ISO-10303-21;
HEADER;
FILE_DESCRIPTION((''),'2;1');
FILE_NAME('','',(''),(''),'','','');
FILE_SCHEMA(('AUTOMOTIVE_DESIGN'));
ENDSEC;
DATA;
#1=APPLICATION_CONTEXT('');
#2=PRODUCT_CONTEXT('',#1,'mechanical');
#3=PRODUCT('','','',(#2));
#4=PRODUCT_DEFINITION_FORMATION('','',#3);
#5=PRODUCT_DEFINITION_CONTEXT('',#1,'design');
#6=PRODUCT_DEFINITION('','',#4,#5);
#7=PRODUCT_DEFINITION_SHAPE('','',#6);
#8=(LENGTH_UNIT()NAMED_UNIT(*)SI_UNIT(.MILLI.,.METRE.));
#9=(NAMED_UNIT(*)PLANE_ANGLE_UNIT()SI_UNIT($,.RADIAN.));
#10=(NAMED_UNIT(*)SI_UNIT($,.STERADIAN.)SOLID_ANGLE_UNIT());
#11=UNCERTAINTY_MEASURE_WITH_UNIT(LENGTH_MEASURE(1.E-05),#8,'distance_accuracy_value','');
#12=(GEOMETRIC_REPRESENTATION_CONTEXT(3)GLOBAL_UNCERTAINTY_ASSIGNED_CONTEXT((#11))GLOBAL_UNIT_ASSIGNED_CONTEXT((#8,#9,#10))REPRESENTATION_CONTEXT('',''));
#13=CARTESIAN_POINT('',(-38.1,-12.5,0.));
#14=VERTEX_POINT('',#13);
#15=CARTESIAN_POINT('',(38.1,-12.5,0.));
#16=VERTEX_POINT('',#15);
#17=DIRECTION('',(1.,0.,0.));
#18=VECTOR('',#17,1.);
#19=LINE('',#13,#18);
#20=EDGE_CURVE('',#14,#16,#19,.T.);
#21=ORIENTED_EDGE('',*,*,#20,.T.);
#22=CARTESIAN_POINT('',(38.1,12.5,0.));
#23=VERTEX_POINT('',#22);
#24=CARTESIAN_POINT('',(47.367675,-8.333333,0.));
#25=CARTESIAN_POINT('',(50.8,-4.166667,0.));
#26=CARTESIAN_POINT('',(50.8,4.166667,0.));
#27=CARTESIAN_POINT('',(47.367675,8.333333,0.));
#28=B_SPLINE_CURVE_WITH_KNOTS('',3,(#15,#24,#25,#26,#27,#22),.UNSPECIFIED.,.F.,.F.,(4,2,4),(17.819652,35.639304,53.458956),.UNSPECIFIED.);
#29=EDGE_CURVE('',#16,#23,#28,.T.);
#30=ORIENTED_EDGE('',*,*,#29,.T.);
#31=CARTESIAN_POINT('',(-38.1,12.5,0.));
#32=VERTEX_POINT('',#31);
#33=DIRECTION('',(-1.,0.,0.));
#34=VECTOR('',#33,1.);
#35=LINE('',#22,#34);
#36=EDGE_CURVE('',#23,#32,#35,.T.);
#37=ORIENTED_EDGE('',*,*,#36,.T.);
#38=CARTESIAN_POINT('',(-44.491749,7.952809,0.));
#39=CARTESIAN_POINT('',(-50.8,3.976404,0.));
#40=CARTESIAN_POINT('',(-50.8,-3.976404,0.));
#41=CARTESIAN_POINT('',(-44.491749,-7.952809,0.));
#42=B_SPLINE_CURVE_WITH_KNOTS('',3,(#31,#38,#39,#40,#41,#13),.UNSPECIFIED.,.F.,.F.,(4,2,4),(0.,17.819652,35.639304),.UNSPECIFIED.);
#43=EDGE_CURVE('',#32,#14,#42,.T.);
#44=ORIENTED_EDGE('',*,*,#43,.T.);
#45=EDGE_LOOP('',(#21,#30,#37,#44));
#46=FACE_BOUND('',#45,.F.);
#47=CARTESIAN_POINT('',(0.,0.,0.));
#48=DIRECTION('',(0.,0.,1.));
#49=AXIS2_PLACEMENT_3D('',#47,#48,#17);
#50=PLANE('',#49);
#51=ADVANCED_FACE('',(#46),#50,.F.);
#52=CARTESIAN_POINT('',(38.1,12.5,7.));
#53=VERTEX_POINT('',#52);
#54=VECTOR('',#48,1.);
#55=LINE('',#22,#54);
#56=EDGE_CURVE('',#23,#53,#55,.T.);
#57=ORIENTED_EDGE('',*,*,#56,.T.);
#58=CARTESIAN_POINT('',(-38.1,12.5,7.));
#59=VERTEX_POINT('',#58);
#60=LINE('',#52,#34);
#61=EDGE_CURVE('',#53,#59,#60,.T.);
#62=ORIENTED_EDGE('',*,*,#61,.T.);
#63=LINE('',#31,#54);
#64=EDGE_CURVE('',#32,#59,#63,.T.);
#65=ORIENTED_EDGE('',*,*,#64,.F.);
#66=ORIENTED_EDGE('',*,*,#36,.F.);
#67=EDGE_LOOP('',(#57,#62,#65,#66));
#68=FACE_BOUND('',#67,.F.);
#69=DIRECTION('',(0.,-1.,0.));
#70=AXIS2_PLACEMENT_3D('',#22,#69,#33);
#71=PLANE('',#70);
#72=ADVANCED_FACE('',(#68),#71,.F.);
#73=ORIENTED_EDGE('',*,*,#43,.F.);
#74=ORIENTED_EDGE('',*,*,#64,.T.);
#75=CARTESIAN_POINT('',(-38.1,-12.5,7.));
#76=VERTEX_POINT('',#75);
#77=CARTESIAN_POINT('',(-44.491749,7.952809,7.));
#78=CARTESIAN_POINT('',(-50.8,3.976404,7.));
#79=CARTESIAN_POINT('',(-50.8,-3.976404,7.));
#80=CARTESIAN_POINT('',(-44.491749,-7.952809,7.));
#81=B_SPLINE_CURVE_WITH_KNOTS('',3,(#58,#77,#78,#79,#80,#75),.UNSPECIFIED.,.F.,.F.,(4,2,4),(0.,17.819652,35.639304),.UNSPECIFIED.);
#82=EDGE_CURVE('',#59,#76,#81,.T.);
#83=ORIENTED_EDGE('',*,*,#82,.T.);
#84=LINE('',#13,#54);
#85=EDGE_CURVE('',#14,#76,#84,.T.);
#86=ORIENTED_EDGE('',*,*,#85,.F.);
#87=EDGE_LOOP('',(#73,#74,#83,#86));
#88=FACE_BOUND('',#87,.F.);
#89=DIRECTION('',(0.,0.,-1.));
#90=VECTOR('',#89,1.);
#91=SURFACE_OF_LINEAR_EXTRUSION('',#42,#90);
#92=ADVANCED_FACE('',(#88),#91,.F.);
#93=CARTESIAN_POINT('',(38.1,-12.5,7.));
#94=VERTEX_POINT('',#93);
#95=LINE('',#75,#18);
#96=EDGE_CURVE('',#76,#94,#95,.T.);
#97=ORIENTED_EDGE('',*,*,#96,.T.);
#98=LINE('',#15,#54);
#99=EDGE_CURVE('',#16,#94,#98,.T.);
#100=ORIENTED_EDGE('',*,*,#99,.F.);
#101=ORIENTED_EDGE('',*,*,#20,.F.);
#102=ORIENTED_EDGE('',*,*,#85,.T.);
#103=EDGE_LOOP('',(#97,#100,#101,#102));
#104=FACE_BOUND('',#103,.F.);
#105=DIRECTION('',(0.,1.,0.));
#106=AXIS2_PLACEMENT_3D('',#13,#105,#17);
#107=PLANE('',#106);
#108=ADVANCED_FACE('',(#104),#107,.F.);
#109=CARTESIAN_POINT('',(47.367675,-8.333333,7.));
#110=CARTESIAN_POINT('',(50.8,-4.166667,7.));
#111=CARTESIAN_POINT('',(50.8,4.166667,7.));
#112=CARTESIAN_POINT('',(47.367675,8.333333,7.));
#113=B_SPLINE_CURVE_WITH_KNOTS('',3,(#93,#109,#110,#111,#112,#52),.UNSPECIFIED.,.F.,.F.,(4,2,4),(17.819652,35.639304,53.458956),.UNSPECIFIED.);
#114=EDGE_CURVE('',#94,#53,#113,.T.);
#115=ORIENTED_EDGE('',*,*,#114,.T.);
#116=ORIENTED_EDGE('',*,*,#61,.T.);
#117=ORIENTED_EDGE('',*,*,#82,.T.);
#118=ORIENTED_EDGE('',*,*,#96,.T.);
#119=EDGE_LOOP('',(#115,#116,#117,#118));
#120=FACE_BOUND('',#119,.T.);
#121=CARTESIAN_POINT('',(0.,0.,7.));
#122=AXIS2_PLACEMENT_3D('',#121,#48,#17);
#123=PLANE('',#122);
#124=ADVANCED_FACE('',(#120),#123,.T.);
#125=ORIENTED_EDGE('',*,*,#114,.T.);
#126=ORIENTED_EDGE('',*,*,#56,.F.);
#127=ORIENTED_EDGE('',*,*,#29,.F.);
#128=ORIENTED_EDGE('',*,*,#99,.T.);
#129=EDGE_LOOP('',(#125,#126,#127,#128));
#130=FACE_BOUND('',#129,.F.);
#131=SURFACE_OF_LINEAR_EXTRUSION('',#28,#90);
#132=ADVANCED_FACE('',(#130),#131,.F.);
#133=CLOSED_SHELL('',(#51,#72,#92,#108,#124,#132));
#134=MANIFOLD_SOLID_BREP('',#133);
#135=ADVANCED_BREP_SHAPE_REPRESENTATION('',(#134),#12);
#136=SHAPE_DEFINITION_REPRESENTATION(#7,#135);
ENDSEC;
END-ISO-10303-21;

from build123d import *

# Parameters (mm, degrees)
F1_DEPTH = 7


with BuildPart() as f1:
    # F0 (on Top) → F1 (new body)
    with BuildSketch(Plane.XY):
        Polygon((38.1, 0), (38.1, 12.5), (-38.1, 12.5), (-38.1, 0), (-38.1, -12.5), (38.1, -12.5), align=None)
        with BuildLine():
            add(Edge.make_bspline(
                [(38.1, 12.5), (47.367675, 8.333333), (50.8, 4.166667), (50.8, 0)],
                knots=[0, 0, 0, 0, 17.819652, 17.819652, 17.819652, 17.819652], degree=3))
            Line((38.1, 12.5), (38.1, 0))
            Line((38.1, 0), (50.8, 0))
        make_face()
        with BuildLine():
            Line((-38.1, 0), (-38.1, 12.5))
            add(Edge.make_bspline(
                [(-38.1, 12.5), (-44.491749, 7.952809), (-50.8, 3.976404), (-50.8, 0)],
                knots=[0, 0, 0, 0, 17.819652, 17.819652, 17.819652, 17.819652], degree=3))
            Line((-50.8, 0), (-38.1, 0))
        make_face()
        with BuildLine():
            Line((50.8, 0), (38.1, 0))
            Line((38.1, 0), (38.1, -12.5))
            add(Edge.make_bspline(
                [(50.8, 0), (50.8, -4.166667), (47.367675, -8.333333), (38.1, -12.5)],
                knots=[17.819652, 17.819652, 17.819652, 17.819652, 35.639304, 35.639304, 35.639304, 35.639304], degree=3))
        make_face()
        with BuildLine():
            Line((-38.1, -12.5), (-38.1, 0))
            Line((-38.1, 0), (-50.8, 0))
            add(Edge.make_bspline(
                [(-50.8, 0), (-50.8, -3.976404), (-44.491749, -7.952809), (-38.1, -12.5)],
                knots=[17.819652, 17.819652, 17.819652, 17.819652, 35.639304, 35.639304, 35.639304, 35.639304], degree=3))
        make_face()
    extrude(amount=F1_DEPTH)


solid = f1.part
